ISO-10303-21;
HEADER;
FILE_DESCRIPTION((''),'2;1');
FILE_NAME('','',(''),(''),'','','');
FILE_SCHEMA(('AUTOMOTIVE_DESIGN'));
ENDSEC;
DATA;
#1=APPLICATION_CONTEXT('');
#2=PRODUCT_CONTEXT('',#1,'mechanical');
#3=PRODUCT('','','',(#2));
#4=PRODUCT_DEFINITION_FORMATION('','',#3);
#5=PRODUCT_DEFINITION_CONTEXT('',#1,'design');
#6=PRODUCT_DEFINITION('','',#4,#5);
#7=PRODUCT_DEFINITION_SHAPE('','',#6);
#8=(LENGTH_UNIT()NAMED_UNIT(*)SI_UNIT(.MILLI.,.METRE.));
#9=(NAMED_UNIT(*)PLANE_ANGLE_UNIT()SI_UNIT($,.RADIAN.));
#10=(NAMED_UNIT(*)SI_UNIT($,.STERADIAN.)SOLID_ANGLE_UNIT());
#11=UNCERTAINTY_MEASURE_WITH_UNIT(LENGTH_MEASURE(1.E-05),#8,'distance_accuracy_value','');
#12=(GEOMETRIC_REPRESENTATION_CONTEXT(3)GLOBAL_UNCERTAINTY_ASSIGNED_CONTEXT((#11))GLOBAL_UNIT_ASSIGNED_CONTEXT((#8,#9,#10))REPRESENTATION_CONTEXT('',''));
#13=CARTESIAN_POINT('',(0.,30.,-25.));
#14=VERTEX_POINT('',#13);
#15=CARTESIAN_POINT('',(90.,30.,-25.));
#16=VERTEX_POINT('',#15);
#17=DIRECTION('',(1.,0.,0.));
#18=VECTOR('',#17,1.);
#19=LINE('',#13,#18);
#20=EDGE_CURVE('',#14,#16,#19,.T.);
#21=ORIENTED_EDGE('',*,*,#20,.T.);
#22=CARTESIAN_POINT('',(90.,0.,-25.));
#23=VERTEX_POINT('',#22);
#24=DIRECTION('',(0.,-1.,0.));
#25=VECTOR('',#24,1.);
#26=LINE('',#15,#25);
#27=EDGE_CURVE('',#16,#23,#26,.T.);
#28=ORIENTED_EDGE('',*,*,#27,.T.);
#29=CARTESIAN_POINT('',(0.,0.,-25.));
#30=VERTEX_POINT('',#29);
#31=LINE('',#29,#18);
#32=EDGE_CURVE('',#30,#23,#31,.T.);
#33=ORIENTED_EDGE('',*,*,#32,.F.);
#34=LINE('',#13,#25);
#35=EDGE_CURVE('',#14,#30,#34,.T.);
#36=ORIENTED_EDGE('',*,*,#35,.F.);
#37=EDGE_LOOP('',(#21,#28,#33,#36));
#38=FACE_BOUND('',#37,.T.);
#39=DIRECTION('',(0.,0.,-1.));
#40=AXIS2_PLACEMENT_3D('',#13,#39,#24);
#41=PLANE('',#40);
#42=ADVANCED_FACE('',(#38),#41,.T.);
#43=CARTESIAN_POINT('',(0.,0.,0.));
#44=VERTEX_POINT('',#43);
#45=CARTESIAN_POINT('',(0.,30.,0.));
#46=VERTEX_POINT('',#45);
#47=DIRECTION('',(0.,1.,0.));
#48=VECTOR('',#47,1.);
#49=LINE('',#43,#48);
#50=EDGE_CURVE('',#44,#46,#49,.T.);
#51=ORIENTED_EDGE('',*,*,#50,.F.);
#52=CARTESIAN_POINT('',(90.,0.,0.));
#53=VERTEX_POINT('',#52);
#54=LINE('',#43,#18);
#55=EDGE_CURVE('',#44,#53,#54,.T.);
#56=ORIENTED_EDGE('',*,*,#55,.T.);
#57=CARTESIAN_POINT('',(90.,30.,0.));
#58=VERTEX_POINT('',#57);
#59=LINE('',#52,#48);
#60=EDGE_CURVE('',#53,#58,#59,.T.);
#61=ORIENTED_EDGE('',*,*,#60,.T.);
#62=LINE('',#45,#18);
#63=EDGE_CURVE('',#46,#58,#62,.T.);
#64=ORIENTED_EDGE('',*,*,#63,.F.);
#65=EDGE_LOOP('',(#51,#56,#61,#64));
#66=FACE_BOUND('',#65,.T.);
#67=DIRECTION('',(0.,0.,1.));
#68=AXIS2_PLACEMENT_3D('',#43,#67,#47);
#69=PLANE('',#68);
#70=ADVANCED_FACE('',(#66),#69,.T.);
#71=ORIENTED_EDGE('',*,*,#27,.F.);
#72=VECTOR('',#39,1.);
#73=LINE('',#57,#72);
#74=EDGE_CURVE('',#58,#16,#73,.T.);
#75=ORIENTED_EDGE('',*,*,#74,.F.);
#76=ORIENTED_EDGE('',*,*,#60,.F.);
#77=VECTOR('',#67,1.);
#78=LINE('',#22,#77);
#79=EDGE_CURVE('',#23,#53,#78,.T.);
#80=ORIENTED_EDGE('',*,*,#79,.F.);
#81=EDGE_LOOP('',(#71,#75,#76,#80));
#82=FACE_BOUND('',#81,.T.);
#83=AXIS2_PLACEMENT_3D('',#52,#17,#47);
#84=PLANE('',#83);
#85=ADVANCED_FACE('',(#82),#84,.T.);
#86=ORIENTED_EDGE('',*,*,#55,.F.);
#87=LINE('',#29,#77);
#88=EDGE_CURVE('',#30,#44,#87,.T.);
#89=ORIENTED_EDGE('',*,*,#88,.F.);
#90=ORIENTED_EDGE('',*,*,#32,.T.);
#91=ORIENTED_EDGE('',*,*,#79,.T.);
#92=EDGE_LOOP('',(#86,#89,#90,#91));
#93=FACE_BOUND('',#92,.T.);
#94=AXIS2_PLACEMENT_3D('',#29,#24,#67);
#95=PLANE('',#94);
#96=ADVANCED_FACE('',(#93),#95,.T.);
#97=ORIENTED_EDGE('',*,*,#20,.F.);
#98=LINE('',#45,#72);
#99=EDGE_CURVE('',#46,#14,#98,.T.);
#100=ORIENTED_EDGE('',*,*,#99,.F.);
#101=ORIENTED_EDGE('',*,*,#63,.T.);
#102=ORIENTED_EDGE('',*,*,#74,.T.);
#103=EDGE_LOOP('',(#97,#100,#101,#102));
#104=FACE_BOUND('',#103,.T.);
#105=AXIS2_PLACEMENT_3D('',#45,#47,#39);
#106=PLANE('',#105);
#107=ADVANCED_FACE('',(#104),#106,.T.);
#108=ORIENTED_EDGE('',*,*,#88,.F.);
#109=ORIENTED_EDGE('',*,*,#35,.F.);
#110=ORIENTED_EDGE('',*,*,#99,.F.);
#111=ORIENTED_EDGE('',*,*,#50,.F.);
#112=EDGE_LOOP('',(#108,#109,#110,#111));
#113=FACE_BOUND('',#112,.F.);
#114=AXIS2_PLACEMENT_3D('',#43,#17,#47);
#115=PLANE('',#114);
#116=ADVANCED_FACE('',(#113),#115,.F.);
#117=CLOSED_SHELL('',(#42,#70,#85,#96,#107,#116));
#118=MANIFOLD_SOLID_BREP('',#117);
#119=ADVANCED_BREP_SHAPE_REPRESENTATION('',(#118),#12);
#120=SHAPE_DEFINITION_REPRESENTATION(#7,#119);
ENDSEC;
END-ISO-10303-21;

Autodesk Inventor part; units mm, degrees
ref_plane "YZ Plane" through (0, 0, 0) normal (1, 0, 0) x (0, 1, 0)
ref_plane "XZ Plane" through (0, 0, 0) normal (0, 1, 0) x (-1, 0, 0)
ref_plane "XY Plane" through (0, 0, 0) normal (0, 0, 1) x (1, 0, 0)
sketch "Sketch1" plane through (0, 0, 0) normal (1, 0, 0) x (0, 1, 0)
  point P0 (0, 0)
sketch "Sketch2" plane through (0, 0, 0) normal (1, 0, 0) x (0, 1, 0)
  line L0 (0, 0) -> (30, 0)
  line L1 (30, 0) -> (30, -25)
  line L2 (30, -25) -> (0, -25)
  line L3 (0, -25) -> (0, 0)
  dimension "d0" = 30
  dimension "d1" = 25
extrude "Extrusion1" add sketch "Sketch2" along normal blind 90
properties part number "battery_5v" material "PET Plastic"
